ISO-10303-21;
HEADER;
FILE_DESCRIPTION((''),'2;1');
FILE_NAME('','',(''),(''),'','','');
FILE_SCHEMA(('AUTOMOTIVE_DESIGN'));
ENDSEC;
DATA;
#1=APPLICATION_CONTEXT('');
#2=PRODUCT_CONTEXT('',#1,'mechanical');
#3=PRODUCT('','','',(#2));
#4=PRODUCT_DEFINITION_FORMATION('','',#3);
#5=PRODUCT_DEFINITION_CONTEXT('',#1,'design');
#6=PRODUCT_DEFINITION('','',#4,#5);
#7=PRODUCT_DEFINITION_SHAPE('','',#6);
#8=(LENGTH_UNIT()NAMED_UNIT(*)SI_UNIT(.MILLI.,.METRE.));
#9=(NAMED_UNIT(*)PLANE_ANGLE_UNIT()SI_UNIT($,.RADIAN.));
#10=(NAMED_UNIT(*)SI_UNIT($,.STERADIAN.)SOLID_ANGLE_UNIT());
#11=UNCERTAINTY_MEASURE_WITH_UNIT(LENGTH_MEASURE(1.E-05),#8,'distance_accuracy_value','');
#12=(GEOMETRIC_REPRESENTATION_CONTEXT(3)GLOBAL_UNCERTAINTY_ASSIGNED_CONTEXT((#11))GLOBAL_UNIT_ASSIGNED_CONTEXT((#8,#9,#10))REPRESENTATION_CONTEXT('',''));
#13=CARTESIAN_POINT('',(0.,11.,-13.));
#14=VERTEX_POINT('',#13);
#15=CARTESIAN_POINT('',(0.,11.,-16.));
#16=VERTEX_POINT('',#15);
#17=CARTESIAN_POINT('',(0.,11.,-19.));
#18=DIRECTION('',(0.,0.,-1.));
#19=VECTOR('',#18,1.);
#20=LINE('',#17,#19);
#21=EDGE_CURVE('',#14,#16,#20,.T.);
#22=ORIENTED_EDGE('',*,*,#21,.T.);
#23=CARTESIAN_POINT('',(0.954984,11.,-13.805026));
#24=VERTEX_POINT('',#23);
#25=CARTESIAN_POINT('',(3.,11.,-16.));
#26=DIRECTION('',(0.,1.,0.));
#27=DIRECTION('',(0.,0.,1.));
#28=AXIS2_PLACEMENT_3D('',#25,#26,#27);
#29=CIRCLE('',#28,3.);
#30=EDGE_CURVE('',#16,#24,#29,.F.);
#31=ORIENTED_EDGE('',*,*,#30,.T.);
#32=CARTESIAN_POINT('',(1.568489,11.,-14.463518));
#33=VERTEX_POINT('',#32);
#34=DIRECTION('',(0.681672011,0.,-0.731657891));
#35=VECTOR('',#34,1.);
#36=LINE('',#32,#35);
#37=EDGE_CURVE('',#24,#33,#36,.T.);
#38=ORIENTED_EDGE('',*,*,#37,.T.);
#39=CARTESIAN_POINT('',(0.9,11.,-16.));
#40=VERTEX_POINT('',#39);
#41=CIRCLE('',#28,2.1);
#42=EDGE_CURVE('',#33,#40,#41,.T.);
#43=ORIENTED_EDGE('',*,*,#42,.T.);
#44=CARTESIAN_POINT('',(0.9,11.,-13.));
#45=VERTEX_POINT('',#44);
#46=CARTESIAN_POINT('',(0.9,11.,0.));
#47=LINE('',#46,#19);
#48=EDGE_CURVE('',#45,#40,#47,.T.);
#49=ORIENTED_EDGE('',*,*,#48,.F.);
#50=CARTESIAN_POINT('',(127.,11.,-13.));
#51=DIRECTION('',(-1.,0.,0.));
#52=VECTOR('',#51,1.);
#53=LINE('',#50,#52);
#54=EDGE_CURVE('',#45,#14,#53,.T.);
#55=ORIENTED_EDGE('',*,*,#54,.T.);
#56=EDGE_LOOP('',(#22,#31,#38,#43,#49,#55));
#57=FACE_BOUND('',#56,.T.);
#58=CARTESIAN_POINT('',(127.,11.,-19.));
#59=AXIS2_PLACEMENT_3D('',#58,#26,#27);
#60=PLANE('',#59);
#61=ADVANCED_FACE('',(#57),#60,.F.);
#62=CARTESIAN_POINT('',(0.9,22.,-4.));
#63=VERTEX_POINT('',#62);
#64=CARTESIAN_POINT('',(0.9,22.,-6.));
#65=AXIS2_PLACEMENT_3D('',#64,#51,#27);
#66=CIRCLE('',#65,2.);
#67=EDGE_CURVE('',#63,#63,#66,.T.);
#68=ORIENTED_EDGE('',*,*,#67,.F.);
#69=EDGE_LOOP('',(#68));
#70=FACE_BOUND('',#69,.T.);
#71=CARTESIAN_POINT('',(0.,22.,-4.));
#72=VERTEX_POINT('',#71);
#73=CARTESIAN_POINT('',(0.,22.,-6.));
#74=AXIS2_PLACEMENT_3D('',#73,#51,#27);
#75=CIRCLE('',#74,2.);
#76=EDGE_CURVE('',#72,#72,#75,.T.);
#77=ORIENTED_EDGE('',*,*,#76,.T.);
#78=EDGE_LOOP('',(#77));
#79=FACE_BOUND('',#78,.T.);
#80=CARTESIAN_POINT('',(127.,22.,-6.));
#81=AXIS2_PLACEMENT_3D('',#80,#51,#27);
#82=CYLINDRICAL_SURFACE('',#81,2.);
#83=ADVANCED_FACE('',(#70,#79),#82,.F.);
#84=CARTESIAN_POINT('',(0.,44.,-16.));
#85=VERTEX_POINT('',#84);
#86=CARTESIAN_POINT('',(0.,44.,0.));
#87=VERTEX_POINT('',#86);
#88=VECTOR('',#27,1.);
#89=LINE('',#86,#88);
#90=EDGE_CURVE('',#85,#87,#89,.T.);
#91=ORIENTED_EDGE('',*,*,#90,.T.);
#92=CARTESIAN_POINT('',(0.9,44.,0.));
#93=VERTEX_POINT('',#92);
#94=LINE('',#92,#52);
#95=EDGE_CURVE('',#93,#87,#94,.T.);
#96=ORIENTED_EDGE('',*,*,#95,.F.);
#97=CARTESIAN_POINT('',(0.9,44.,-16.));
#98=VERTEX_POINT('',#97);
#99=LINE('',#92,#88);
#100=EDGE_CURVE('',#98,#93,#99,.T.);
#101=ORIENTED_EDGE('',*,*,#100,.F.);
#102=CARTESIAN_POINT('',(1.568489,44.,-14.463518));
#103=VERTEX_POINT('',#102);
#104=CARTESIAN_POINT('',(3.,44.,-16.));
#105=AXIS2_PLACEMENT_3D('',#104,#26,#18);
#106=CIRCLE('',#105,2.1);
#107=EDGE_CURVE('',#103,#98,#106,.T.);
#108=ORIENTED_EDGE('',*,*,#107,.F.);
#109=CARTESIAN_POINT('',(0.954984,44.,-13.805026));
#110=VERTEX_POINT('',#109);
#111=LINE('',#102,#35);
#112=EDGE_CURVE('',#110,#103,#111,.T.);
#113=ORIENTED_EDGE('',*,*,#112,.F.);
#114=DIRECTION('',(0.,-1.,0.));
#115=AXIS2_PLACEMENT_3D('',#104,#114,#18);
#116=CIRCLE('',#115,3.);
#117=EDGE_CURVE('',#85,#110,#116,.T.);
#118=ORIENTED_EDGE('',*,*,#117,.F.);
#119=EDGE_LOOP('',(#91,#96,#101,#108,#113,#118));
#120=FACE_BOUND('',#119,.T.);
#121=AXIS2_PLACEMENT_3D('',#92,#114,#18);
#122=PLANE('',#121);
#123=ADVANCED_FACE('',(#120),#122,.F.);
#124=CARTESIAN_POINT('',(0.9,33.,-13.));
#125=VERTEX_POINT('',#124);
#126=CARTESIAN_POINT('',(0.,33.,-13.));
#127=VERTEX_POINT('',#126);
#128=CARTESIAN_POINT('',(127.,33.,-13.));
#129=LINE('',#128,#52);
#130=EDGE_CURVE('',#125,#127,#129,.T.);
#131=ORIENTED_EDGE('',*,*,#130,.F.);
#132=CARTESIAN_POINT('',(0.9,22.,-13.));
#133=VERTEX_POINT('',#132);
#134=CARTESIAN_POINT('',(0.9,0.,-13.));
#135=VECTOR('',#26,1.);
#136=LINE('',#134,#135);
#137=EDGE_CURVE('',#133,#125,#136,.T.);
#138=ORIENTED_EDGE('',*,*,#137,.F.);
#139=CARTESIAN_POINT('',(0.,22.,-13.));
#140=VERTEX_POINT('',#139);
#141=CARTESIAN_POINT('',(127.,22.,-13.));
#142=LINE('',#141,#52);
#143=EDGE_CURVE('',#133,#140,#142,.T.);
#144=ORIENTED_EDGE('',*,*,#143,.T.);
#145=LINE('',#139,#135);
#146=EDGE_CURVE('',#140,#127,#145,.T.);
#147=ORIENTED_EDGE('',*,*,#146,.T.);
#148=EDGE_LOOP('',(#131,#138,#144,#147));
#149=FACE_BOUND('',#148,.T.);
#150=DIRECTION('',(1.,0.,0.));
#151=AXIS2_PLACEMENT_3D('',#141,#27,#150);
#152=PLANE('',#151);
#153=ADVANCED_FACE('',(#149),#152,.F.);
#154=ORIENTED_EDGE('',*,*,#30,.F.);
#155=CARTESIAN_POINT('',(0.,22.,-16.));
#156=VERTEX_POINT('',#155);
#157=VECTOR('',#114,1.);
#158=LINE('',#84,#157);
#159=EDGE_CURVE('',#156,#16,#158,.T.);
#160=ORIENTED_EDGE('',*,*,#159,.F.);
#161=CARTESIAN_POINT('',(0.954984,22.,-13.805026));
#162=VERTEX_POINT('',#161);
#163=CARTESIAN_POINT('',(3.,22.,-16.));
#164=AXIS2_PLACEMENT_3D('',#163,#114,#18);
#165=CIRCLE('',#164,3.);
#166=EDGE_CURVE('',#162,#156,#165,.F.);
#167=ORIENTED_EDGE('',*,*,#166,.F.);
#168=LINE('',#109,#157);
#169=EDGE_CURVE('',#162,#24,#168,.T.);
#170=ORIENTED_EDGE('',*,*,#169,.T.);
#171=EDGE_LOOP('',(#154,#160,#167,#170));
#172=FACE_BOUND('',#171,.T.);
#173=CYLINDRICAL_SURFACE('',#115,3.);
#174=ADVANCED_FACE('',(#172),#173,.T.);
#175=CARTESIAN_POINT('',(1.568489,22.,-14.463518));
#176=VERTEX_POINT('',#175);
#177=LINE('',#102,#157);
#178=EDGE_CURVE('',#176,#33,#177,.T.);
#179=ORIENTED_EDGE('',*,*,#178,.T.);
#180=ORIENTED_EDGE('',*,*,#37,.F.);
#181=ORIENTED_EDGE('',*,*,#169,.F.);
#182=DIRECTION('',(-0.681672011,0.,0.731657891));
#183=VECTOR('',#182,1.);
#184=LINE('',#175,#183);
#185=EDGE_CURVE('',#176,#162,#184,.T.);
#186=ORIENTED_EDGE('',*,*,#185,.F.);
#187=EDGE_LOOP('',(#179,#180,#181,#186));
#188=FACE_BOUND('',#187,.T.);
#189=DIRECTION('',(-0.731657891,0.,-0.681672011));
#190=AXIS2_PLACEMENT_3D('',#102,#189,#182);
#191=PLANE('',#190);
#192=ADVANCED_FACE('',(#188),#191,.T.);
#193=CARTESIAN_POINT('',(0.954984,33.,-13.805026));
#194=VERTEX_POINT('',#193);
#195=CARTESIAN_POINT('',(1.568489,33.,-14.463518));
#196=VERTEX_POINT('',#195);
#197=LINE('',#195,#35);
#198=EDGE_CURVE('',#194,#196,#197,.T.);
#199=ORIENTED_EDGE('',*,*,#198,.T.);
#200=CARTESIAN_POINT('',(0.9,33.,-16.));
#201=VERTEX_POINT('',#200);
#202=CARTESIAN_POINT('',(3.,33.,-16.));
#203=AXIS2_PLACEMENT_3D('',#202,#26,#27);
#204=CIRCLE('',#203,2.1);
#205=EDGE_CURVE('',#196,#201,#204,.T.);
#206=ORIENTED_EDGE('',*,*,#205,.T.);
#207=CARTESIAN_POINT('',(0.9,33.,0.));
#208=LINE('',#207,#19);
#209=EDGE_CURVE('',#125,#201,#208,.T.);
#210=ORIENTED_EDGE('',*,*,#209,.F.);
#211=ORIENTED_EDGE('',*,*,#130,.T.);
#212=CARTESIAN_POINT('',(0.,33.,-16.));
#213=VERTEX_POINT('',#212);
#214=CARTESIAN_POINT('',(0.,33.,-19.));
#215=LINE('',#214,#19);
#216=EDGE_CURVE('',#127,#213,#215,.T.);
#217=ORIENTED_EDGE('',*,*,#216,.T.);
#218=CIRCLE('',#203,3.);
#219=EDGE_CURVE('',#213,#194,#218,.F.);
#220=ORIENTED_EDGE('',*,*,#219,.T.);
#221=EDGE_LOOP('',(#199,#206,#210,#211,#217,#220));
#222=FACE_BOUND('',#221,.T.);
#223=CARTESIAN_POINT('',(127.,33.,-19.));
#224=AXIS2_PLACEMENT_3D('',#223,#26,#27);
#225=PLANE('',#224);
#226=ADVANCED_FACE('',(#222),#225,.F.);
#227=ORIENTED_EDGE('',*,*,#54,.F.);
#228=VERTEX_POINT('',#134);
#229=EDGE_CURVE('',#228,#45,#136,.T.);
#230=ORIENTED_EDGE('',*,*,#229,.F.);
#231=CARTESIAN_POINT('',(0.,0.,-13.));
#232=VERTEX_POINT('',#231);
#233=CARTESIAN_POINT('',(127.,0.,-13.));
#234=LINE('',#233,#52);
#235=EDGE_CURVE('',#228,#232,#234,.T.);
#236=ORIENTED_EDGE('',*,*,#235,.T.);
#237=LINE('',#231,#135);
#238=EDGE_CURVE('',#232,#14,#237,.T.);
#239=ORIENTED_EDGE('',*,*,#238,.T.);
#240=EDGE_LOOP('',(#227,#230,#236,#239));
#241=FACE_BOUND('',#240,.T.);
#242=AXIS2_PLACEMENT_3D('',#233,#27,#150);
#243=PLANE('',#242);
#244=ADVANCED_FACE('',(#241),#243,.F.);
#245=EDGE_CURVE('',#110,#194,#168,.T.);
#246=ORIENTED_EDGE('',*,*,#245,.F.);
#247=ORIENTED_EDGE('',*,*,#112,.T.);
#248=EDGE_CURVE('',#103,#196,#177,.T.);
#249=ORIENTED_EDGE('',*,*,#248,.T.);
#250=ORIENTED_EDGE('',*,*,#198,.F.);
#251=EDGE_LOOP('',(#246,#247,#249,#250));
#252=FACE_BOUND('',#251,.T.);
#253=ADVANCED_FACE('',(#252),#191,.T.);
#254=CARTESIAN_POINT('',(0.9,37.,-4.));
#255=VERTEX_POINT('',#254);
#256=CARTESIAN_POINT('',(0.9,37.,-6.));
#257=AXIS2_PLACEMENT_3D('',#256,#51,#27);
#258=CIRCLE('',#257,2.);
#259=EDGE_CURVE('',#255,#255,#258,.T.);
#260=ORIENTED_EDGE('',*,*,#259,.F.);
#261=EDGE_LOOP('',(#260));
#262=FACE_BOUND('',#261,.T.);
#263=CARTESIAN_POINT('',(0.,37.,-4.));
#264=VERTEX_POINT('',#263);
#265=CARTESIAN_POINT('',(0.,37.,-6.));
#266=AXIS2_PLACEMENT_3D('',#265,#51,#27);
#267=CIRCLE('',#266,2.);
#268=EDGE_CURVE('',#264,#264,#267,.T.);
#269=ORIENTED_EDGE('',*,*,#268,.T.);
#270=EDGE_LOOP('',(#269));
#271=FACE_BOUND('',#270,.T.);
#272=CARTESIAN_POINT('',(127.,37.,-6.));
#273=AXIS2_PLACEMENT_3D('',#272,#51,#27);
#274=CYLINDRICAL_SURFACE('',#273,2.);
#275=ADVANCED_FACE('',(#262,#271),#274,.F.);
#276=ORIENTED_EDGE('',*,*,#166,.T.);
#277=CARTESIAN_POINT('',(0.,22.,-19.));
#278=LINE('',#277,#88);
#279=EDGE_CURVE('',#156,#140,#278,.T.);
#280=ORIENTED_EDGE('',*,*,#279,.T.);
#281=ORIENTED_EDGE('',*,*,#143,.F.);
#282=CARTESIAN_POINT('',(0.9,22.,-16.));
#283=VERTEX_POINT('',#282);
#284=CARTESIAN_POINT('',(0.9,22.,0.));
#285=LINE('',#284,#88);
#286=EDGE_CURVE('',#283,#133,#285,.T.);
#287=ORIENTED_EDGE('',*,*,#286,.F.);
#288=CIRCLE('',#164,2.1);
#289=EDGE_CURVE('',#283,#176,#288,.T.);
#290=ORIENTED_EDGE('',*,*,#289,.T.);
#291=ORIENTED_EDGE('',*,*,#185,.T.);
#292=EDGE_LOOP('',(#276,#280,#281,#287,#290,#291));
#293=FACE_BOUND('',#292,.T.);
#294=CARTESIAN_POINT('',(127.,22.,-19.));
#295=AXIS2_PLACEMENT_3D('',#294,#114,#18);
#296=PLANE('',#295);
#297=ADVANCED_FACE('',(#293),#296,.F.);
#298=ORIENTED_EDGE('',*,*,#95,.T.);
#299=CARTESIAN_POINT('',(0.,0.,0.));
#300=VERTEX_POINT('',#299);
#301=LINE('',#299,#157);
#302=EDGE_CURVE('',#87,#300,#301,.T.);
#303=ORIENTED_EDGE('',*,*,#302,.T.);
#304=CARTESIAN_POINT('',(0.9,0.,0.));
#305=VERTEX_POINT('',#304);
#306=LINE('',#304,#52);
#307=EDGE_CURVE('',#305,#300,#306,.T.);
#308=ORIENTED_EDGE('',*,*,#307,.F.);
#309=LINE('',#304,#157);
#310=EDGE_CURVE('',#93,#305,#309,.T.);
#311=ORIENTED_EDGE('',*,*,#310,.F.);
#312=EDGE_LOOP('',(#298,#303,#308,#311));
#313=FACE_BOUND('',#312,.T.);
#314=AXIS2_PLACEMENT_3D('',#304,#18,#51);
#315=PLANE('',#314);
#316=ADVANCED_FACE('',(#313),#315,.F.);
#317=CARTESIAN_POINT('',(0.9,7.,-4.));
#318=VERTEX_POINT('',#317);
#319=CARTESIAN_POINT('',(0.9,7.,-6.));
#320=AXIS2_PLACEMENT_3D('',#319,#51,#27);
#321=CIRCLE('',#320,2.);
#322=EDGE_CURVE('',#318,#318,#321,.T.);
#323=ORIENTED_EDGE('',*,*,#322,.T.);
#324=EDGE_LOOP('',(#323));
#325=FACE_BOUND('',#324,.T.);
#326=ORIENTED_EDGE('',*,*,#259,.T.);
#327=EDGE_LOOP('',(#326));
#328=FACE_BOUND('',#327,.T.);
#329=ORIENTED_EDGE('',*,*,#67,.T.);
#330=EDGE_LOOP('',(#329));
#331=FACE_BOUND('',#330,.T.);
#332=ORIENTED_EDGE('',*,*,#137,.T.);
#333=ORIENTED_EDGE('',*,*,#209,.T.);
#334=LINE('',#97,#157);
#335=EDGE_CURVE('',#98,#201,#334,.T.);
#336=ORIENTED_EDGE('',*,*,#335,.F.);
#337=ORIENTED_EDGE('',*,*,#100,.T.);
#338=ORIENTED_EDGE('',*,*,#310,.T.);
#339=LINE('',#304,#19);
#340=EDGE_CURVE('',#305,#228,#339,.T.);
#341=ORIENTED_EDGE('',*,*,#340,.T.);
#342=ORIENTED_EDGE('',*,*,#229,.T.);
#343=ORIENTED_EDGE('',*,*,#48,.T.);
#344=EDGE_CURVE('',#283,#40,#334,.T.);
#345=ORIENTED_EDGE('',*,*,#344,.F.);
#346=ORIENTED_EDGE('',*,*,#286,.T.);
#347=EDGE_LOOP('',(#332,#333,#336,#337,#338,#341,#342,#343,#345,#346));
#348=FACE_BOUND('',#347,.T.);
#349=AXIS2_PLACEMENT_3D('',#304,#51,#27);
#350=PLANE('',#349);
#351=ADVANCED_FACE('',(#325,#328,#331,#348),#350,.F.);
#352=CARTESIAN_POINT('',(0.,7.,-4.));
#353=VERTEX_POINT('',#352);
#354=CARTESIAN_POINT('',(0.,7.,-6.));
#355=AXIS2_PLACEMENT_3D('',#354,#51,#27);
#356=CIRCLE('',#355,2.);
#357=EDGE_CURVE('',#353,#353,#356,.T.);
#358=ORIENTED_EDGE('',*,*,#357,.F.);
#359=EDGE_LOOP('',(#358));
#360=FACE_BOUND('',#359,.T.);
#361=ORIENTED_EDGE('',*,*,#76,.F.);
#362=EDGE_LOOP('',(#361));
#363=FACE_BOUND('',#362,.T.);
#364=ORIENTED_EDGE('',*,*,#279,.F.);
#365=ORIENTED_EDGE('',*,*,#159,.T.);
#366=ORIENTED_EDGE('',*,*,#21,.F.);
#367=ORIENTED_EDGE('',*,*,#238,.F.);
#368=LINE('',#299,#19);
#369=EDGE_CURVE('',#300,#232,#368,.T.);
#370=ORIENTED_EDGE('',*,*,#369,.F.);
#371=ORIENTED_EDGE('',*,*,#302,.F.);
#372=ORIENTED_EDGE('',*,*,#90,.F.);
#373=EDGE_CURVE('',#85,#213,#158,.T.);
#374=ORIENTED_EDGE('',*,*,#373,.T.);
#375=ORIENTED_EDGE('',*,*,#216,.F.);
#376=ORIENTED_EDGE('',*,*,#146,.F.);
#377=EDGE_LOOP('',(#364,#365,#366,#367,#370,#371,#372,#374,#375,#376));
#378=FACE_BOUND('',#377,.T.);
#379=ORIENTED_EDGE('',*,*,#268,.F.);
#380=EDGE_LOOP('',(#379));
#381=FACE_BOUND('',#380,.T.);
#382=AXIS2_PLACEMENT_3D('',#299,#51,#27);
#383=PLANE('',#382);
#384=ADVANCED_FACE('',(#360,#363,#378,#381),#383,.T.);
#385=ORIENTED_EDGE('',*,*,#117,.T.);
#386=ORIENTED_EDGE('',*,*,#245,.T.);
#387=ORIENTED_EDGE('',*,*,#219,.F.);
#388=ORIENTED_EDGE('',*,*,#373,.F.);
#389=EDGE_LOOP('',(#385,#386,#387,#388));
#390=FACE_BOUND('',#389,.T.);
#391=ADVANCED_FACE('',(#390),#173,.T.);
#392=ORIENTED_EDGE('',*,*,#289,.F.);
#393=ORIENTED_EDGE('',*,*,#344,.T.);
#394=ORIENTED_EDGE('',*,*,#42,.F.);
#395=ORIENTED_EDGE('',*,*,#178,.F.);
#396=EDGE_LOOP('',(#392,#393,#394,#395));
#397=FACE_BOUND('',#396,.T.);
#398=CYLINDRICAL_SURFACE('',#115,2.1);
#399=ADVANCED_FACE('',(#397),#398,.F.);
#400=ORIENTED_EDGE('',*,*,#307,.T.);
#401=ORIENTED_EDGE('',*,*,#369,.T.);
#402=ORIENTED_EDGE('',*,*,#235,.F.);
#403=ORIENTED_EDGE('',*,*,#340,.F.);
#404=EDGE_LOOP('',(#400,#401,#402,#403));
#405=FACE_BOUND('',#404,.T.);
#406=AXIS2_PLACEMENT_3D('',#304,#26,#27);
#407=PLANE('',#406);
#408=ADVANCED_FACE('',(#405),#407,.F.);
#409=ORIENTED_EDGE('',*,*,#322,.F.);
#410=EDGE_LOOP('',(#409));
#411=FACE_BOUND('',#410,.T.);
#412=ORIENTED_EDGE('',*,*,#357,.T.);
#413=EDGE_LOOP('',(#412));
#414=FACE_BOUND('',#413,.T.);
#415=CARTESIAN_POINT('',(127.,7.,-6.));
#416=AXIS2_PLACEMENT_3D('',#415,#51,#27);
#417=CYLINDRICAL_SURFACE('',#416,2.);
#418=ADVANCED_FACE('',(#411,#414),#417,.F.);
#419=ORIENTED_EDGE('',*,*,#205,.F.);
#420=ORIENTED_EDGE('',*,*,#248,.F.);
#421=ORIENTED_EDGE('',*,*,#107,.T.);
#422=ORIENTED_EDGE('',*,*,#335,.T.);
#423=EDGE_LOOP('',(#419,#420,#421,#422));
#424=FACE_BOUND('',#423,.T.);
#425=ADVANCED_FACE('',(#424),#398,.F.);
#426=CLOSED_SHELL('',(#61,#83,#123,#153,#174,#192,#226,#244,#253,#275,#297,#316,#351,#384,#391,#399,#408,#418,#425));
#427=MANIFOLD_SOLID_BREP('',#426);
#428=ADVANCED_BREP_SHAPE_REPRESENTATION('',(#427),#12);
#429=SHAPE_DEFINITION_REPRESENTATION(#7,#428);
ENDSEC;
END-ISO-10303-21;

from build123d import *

# Parameters (mm, degrees)
SKETCH1_W           = 13
SKETCH1_H           = 44
BOSS_EXTRUDE1_DEPTH = 0.9
BOSS_EXTRUDE2_DEPTH = 44
SKETCH3_R           = 2
SKETCH3_W           = 6
SKETCH3_H           = 11
CUT_EXTRUDE1_DEPTH  = 127


with BuildPart() as part:
    # Sketch1 → Boss-Extrude1 (new body)
    with BuildSketch(Plane(origin=(0, 0, 0), x_dir=(0, 0, -1), z_dir=(1, 0, 0))):
        with Locations((6.5, 22)):
            Rectangle(SKETCH1_W, SKETCH1_H)
    extrude(amount=BOSS_EXTRUDE1_DEPTH)

    # Sketch2 → Boss-Extrude2 (add)
    with BuildSketch(Plane.XZ):
        with BuildLine():
            Line((0, -16), (0, -13))
            Line((0, -13), (0.9, -13))
            Line((0.9, -13), (0.9, -16))
            ThreePointArc((0.9, -16), (4.925639318, -16.837802611), (1.568488776, -14.46351843))
            Line((1.568488776, -14.46351843), (0.954983966, -13.805026328))
            ThreePointArc((0.954983966, -13.805026328), (5.750913312, -17.196860873), (0, -16))
        make_face()
    extrude(amount=-BOSS_EXTRUDE2_DEPTH)

    # Sketch3 → Cut-Extrude1 (cut)
    with BuildSketch(Plane.ZY):
        with Locations((-6, 7)):
            Circle(SKETCH3_R)
        with Locations((-6, 22)):
            Circle(SKETCH3_R)
        with Locations((-6, 37)):
            Circle(SKETCH3_R)
        with Locations((-16, 5.5)):
            Rectangle(SKETCH3_W, SKETCH3_H)
        with Locations((-16, 27.5)):
            Rectangle(SKETCH3_W, SKETCH3_H)
    extrude(amount=-CUT_EXTRUDE1_DEPTH, mode=Mode.SUBTRACT)


solid = part.part
